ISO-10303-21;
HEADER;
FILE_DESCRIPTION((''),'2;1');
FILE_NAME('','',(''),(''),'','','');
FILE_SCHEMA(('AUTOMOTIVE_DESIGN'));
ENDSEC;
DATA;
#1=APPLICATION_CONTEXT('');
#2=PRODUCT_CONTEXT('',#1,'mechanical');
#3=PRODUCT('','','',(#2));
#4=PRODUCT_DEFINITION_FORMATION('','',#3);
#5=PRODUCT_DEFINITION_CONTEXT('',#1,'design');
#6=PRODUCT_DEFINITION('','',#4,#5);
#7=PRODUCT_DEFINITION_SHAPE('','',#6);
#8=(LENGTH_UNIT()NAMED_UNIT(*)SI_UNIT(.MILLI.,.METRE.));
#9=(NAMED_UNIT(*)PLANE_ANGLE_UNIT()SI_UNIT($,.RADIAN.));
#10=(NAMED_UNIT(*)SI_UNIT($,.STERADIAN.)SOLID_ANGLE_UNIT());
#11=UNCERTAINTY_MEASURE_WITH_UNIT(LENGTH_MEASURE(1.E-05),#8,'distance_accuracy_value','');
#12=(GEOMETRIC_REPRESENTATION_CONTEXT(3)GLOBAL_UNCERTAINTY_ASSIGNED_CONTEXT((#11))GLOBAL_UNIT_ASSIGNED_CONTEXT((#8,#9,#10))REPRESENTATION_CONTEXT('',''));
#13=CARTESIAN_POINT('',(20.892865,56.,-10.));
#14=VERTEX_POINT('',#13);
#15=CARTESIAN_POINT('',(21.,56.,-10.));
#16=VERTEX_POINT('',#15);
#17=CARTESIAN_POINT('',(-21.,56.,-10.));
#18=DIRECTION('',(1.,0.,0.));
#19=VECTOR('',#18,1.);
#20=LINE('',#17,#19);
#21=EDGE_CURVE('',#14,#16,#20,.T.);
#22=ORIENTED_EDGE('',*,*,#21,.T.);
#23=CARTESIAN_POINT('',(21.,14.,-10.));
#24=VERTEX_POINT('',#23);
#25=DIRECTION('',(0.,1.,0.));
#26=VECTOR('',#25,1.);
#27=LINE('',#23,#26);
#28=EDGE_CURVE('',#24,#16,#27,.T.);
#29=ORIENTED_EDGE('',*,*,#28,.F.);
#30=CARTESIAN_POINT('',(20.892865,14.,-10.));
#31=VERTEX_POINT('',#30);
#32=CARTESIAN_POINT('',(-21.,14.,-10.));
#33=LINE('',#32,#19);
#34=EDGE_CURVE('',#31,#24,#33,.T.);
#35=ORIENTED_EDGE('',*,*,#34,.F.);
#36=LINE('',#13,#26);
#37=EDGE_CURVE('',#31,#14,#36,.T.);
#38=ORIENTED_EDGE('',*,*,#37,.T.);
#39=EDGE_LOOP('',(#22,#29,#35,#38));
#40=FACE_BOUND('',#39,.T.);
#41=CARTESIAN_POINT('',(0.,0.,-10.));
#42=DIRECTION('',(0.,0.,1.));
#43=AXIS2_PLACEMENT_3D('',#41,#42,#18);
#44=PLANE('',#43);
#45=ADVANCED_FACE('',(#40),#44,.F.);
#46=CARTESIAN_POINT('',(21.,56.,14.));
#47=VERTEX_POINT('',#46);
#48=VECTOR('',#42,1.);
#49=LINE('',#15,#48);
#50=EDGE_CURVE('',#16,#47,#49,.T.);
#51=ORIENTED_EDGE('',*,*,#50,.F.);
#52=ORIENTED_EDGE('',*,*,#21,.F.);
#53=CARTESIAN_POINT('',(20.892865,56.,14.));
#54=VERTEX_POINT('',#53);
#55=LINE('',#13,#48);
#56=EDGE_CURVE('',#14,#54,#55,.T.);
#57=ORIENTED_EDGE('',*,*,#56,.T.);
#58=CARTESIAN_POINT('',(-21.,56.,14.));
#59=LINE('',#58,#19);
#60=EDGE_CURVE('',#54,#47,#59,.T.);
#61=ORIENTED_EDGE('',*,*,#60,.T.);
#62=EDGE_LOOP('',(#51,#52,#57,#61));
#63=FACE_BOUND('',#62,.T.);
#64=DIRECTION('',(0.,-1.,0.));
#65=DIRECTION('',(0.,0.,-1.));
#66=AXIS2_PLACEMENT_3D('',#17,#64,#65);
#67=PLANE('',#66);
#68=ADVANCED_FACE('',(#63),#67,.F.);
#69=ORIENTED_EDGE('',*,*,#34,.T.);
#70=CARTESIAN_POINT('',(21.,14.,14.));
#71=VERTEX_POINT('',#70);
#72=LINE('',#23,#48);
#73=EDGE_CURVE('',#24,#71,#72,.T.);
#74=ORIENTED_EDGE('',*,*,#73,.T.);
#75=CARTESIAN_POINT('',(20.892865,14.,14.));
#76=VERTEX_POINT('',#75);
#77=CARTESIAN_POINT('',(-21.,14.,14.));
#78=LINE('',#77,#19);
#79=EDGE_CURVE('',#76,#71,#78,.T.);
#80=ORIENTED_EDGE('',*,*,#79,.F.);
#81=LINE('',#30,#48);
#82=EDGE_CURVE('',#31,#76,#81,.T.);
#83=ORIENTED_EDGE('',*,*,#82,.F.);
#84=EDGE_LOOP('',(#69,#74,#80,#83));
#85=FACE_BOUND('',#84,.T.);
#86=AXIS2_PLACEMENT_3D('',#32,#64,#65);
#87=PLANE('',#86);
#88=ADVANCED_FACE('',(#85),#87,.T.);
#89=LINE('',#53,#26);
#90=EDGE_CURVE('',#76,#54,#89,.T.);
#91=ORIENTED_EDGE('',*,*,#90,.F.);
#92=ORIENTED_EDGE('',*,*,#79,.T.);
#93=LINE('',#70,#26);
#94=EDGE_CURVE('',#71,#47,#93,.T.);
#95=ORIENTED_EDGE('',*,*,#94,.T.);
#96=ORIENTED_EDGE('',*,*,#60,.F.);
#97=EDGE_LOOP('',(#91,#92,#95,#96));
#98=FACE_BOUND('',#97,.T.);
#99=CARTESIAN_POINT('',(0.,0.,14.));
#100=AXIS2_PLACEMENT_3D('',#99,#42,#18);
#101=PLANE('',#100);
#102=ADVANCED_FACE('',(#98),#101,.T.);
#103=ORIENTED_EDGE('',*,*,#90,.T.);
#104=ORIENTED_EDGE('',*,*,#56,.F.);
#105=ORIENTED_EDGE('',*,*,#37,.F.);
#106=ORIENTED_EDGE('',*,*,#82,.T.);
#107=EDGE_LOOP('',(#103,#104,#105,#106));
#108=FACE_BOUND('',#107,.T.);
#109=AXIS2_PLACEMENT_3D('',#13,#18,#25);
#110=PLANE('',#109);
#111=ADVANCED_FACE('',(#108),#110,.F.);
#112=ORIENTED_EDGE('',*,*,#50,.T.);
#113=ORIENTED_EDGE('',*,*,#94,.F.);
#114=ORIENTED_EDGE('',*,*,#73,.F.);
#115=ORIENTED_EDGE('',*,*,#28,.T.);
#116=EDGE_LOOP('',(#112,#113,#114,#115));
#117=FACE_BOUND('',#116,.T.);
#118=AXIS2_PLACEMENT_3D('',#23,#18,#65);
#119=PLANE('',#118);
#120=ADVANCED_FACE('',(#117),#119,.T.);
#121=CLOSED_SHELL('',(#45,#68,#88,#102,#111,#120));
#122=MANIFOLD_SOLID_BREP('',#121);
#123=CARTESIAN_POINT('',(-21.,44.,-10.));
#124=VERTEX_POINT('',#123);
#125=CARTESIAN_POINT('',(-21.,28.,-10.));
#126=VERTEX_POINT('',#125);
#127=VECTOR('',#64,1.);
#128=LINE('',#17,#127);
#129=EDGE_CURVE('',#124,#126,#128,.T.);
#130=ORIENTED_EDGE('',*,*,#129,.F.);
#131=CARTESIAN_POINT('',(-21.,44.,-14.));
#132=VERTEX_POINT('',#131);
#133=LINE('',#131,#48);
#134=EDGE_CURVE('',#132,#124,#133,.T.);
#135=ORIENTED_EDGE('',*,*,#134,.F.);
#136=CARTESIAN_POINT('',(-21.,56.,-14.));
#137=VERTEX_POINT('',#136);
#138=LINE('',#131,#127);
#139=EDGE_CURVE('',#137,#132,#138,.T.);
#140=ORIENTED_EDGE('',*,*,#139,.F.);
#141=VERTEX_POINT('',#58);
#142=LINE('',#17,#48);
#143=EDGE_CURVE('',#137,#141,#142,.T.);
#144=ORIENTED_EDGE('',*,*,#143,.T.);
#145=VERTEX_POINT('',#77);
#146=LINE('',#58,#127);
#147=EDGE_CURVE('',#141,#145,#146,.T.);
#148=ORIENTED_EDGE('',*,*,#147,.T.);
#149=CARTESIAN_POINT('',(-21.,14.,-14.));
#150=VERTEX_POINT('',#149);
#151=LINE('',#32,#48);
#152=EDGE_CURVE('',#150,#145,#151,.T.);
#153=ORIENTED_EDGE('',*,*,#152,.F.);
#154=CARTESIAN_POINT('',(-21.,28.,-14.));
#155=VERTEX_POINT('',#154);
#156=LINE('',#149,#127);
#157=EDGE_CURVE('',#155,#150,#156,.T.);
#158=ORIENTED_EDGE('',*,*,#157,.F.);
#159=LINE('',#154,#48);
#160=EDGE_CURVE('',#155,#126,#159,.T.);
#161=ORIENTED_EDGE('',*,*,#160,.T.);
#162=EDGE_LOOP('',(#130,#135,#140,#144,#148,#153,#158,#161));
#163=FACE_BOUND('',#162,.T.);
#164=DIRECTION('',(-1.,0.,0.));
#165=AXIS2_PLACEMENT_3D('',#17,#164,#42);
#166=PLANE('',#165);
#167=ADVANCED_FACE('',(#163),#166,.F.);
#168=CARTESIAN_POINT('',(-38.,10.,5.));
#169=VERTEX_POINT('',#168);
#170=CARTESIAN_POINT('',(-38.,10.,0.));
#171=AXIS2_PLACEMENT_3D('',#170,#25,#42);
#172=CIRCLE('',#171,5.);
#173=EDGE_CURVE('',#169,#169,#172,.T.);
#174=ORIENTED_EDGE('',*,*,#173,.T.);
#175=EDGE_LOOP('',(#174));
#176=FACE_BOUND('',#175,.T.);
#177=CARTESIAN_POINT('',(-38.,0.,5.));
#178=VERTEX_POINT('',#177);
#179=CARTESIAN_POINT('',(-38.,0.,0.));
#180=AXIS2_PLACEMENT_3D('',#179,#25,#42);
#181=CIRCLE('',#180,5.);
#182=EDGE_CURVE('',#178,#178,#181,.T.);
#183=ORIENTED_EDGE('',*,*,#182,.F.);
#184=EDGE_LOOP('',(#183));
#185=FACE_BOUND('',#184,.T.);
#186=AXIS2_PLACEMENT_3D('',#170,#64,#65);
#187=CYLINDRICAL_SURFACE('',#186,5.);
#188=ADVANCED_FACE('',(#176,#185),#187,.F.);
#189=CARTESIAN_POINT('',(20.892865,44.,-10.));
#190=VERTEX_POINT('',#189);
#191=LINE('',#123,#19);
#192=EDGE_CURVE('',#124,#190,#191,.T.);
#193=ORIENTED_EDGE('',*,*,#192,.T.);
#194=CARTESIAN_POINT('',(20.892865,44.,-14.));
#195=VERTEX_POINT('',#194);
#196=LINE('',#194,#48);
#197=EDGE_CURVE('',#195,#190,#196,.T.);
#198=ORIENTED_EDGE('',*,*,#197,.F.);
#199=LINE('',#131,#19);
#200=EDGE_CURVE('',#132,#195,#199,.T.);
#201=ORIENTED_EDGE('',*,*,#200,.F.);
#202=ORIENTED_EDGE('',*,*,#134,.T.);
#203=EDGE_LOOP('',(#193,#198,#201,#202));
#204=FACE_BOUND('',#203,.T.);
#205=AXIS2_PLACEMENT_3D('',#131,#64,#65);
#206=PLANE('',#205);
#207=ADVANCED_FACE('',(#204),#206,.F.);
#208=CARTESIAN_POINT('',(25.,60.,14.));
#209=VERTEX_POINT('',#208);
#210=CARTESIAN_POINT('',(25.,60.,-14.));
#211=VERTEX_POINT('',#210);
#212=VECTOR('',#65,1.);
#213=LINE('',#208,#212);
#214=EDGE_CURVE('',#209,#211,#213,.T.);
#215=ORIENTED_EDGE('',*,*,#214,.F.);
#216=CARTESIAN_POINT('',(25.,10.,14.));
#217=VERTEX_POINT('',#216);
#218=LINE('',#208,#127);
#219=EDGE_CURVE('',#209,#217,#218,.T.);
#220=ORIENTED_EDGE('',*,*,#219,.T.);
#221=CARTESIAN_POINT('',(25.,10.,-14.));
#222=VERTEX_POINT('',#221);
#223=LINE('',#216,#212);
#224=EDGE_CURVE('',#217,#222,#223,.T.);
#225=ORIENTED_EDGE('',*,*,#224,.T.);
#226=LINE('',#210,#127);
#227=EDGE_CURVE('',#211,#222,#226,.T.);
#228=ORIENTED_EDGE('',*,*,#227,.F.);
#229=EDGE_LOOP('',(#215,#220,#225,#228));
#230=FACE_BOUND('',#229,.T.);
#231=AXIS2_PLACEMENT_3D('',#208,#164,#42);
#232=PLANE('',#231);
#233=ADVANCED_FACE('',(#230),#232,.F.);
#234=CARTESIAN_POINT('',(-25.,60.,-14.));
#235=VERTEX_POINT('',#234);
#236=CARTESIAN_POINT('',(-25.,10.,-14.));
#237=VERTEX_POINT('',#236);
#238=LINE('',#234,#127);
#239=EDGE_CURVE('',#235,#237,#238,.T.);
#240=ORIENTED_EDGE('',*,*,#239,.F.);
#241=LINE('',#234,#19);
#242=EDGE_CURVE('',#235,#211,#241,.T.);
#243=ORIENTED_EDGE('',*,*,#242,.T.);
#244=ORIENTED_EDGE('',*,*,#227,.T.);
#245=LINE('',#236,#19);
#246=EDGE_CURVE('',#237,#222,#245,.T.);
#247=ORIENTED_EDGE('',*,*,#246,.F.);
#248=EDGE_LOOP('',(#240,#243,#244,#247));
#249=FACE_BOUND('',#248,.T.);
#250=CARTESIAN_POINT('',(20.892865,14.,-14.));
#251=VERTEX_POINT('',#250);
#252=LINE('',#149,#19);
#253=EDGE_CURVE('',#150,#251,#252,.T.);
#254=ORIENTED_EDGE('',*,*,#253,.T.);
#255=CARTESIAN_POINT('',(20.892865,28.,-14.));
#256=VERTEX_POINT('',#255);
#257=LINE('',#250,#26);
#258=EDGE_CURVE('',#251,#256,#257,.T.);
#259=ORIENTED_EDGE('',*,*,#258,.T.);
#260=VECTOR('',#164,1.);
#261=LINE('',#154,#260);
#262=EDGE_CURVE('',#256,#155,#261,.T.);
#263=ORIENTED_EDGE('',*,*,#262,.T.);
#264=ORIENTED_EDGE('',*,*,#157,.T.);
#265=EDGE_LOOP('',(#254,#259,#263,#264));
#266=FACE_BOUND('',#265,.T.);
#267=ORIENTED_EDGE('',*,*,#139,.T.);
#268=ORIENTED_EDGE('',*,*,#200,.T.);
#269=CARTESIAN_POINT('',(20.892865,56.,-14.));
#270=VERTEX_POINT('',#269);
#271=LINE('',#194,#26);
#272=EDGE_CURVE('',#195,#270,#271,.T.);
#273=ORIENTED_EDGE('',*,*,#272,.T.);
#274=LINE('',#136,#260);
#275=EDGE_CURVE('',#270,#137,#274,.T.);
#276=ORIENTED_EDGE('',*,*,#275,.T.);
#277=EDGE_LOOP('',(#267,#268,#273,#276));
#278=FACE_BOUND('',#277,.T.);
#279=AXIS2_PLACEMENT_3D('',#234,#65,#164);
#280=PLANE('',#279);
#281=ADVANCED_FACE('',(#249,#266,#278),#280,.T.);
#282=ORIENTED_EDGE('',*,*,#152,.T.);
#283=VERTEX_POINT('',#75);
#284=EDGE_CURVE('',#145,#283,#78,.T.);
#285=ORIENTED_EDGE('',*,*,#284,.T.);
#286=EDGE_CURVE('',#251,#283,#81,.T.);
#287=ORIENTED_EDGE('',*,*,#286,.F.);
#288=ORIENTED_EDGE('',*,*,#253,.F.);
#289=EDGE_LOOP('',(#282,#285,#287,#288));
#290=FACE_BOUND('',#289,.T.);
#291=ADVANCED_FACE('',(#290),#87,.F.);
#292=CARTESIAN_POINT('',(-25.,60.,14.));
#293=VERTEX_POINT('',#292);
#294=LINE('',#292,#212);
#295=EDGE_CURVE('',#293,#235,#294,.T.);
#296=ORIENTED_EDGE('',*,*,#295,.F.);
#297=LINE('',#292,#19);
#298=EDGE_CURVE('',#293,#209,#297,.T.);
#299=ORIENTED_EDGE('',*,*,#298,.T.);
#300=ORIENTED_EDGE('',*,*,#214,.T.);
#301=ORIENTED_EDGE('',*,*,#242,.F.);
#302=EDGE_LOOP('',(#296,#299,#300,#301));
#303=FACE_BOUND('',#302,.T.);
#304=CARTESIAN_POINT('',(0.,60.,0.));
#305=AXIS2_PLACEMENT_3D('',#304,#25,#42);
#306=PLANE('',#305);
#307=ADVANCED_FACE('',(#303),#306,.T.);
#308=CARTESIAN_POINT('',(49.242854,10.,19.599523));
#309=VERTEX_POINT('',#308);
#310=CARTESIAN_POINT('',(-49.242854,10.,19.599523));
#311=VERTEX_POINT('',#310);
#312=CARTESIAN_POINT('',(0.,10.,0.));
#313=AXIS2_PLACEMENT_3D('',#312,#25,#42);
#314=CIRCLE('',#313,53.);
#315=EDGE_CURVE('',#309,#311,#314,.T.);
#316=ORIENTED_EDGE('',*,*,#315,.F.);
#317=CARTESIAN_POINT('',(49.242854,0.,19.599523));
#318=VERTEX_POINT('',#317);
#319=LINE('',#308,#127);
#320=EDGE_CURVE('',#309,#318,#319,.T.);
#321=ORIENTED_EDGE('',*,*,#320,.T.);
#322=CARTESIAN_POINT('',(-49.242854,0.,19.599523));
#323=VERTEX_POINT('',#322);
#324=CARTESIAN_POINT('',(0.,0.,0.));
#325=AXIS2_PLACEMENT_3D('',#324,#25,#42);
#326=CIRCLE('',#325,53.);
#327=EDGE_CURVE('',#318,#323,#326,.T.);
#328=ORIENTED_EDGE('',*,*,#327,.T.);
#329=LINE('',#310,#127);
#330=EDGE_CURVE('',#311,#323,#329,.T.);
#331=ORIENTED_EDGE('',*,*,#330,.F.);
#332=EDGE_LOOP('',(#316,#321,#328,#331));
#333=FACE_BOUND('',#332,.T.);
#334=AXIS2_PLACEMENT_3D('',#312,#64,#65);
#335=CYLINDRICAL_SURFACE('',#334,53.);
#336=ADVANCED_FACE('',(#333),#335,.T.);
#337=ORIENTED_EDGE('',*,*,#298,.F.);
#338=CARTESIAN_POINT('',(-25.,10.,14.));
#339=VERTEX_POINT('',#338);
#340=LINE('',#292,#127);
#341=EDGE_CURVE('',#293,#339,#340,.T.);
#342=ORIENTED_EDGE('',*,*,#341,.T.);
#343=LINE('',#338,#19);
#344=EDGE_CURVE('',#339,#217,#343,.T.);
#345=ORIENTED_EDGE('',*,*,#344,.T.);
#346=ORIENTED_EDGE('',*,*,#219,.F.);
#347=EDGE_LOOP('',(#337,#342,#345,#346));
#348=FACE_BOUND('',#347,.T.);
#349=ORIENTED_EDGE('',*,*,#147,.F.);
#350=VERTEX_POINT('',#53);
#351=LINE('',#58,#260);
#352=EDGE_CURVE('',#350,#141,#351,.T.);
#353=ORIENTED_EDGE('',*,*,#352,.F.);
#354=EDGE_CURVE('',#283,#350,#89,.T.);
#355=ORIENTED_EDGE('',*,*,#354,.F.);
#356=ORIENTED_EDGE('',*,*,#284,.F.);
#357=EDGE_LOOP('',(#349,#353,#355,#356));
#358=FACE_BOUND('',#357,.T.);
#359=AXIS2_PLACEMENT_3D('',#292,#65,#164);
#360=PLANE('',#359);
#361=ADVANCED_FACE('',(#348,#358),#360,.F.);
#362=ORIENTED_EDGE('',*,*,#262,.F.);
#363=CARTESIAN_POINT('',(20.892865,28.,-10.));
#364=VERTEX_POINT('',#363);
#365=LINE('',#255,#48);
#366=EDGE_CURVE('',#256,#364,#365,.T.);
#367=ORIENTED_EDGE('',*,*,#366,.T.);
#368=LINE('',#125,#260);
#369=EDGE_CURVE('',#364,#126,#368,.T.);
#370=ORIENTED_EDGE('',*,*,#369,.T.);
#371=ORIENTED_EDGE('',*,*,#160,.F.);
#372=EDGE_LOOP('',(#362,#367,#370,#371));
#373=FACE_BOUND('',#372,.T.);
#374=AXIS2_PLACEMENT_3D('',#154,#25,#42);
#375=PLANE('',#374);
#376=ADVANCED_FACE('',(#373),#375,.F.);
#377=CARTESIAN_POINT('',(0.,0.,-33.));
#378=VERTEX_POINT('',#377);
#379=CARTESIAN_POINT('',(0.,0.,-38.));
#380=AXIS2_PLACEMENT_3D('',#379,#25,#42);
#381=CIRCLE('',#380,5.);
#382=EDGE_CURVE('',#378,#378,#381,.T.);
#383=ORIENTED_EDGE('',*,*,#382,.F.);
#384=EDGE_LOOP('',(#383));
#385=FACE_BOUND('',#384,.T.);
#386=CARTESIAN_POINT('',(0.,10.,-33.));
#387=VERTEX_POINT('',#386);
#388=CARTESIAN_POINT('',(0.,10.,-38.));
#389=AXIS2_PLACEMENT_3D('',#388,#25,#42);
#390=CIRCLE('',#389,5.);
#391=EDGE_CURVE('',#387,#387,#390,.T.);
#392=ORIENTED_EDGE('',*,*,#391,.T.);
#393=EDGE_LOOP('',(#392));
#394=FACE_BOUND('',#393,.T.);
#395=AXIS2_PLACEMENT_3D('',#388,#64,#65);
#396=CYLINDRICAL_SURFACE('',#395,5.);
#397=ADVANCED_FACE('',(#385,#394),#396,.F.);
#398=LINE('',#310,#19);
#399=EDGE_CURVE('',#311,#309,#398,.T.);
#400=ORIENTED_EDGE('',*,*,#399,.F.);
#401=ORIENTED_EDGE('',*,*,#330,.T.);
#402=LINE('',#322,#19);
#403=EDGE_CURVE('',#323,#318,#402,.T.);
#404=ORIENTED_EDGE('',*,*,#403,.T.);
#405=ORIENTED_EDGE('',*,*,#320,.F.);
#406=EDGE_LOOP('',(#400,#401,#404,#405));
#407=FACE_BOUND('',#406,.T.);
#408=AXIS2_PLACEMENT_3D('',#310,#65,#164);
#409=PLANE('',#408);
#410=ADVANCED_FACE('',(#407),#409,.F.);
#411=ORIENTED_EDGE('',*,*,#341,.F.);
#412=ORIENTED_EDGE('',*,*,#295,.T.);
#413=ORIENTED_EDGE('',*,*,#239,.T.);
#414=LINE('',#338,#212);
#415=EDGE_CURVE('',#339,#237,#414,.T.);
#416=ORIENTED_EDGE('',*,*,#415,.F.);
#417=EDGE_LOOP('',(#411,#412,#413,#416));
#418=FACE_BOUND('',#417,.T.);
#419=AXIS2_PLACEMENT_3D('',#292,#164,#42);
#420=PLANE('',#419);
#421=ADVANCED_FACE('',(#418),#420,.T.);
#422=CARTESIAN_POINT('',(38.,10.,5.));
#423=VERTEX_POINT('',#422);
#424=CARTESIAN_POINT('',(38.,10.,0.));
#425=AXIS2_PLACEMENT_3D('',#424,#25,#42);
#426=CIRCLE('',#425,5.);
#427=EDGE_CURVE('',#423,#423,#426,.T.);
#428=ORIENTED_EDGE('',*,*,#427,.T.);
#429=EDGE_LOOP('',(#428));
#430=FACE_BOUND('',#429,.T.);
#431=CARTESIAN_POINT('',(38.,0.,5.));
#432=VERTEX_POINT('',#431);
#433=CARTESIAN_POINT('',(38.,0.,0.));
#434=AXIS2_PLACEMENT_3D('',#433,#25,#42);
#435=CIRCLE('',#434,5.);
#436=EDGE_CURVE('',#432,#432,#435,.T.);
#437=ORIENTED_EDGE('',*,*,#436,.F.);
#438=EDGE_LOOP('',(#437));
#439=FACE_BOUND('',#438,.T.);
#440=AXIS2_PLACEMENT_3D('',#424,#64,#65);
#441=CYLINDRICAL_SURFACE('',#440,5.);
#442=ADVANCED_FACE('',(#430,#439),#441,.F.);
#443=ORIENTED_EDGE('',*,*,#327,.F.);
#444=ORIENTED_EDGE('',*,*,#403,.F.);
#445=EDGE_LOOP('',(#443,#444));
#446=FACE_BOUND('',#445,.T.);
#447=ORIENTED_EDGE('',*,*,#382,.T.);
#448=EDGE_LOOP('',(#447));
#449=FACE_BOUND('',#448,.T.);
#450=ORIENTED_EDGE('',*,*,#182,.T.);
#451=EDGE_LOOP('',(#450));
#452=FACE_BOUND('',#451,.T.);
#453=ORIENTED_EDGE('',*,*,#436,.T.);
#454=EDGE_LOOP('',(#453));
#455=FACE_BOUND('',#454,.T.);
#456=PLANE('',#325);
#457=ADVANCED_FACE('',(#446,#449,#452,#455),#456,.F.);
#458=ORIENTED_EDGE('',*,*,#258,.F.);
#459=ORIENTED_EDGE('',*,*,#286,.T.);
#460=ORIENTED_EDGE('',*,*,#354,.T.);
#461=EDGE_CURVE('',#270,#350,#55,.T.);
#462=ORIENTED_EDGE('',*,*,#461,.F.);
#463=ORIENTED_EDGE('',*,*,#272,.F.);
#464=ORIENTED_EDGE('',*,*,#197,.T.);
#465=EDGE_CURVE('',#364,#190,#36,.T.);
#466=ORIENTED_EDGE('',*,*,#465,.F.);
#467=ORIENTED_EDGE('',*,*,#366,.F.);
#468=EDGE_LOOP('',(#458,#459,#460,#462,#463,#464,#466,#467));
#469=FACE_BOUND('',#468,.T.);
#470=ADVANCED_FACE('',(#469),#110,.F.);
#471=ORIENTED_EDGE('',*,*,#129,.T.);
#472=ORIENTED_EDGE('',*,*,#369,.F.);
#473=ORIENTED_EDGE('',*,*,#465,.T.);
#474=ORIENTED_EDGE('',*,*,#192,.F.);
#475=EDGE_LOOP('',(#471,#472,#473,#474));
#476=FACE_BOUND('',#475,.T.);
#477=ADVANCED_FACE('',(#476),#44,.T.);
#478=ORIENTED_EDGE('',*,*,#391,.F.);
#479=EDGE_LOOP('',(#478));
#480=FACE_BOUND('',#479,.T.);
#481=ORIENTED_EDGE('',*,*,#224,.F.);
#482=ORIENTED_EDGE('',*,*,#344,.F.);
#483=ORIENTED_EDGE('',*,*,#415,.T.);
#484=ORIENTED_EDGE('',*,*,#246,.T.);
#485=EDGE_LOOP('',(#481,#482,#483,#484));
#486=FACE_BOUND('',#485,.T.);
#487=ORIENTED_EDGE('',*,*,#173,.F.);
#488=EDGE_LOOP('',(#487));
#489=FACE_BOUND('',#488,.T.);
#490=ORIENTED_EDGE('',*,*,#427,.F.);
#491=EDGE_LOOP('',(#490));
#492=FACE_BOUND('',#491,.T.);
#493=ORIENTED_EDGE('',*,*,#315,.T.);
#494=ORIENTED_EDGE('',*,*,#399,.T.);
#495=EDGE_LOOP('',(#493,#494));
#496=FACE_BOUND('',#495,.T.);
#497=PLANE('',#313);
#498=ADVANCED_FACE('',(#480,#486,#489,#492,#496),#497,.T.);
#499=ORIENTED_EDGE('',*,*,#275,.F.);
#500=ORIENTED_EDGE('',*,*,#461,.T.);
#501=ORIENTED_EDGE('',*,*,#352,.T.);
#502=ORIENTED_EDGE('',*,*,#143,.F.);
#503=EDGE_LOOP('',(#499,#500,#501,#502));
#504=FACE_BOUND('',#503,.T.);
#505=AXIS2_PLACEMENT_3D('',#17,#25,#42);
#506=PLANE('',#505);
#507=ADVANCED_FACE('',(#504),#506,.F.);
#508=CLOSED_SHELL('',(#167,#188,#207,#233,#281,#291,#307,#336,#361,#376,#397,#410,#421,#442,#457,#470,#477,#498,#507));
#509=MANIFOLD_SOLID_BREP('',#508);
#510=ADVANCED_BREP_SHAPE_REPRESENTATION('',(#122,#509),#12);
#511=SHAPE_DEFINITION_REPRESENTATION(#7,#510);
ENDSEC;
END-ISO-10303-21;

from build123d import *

# Parameters (mm, degrees)
SKETCH1_R           = 5
BOSS_EXTRUDE4_DEPTH = 10
SKETCH5_W           = 50
SKETCH5_H           = 28
BOSS_EXTRUDE5_DEPTH = 50
SKETCH6_W           = 42
SKETCH6_H           = 42
BOSS_EXTRUDE7_DEPTH = 24
SKETCH9_W           = 41.892865088
SKETCH9_H           = 42
CUT_EXTRUDE1_DEPTH  = 24
SKETCH10_W          = 41.892865088
SKETCH10_H          = 12
CUT_EXTRUDE6_DEPTH  = 4
SKETCH11_W          = 41.892865088
SKETCH11_H          = 14
CUT_EXTRUDE7_DEPTH  = 4


with BuildPart() as part:
    # Sketch1 → Boss-Extrude4 (new body)
    with BuildSketch(Plane(origin=(0, 0, 0), x_dir=(1, 0, 0), z_dir=(0, 1, 0))):
        with BuildLine():
            Line((-49.242854308, -19.599522943), (49.242854308, -19.599522943))
            ThreePointArc((49.242854308, -19.599522943), (0, 53), (-49.242854308, -19.599522943))
        make_face()
        with Locations(Location((-38, 0, 0), (0, 0, 270))):
            Circle(SKETCH1_R, mode=Mode.SUBTRACT)
        with Locations(Location((38, 0, 0), (0, 0, 270))):
            Circle(SKETCH1_R, mode=Mode.SUBTRACT)
        with Locations(Location((0, 38, 0), (0, 0, 270))):
            Circle(SKETCH1_R, mode=Mode.SUBTRACT)
    extrude(amount=BOSS_EXTRUDE4_DEPTH)

    # Sketch5 → Boss-Extrude5 (add)
    with BuildSketch(Plane(origin=(0, 10, 0), x_dir=(1, 0, 0), z_dir=(0, 1, 0))):
        Rectangle(SKETCH5_W, SKETCH5_H)
    extrude(amount=BOSS_EXTRUDE5_DEPTH)


with BuildPart() as body_2:
    # Sketch6 → Boss-Extrude7 (new body)
    with BuildSketch(Plane.XY.offset(14)):
        with Locations((0, 35)):
            Rectangle(SKETCH6_W, SKETCH6_H)
    extrude(amount=-BOSS_EXTRUDE7_DEPTH)


with BuildPart() as cut_extrude1_tool:
    # Sketch9 → Cut-Extrude1 (new body)
    with BuildSketch(Plane.XY.offset(14)):
        with Locations((-0.053567456, 35)):
            Rectangle(SKETCH9_W, SKETCH9_H)
    extrude(amount=-CUT_EXTRUDE1_DEPTH)


with BuildPart() as part_1:
    add(part.part)

    # Cut-Extrude1: cut by cut_extrude1_tool
    add(cut_extrude1_tool.part, mode=Mode.SUBTRACT)

    # Sketch10 → Cut-Extrude6 (cut)
    with BuildSketch(Plane.XY.offset(-10)):
        with Locations((-0.053567456, 50)):
            Rectangle(SKETCH10_W, SKETCH10_H)
    extrude(amount=-CUT_EXTRUDE6_DEPTH, mode=Mode.SUBTRACT)

    # Sketch11 → Cut-Extrude7 (cut)
    with BuildSketch(Plane.XY.offset(-10)):
        with Locations((-0.053567456, 21)):
            Rectangle(SKETCH11_W, SKETCH11_H)
    extrude(amount=-CUT_EXTRUDE7_DEPTH, mode=Mode.SUBTRACT)


with BuildPart() as body_2_1:
    add(body_2.part)

    # Cut-Extrude1: cut by cut_extrude1_tool
    add(cut_extrude1_tool.part, mode=Mode.SUBTRACT)


solid = Compound([part_1.part, body_2_1.part])
